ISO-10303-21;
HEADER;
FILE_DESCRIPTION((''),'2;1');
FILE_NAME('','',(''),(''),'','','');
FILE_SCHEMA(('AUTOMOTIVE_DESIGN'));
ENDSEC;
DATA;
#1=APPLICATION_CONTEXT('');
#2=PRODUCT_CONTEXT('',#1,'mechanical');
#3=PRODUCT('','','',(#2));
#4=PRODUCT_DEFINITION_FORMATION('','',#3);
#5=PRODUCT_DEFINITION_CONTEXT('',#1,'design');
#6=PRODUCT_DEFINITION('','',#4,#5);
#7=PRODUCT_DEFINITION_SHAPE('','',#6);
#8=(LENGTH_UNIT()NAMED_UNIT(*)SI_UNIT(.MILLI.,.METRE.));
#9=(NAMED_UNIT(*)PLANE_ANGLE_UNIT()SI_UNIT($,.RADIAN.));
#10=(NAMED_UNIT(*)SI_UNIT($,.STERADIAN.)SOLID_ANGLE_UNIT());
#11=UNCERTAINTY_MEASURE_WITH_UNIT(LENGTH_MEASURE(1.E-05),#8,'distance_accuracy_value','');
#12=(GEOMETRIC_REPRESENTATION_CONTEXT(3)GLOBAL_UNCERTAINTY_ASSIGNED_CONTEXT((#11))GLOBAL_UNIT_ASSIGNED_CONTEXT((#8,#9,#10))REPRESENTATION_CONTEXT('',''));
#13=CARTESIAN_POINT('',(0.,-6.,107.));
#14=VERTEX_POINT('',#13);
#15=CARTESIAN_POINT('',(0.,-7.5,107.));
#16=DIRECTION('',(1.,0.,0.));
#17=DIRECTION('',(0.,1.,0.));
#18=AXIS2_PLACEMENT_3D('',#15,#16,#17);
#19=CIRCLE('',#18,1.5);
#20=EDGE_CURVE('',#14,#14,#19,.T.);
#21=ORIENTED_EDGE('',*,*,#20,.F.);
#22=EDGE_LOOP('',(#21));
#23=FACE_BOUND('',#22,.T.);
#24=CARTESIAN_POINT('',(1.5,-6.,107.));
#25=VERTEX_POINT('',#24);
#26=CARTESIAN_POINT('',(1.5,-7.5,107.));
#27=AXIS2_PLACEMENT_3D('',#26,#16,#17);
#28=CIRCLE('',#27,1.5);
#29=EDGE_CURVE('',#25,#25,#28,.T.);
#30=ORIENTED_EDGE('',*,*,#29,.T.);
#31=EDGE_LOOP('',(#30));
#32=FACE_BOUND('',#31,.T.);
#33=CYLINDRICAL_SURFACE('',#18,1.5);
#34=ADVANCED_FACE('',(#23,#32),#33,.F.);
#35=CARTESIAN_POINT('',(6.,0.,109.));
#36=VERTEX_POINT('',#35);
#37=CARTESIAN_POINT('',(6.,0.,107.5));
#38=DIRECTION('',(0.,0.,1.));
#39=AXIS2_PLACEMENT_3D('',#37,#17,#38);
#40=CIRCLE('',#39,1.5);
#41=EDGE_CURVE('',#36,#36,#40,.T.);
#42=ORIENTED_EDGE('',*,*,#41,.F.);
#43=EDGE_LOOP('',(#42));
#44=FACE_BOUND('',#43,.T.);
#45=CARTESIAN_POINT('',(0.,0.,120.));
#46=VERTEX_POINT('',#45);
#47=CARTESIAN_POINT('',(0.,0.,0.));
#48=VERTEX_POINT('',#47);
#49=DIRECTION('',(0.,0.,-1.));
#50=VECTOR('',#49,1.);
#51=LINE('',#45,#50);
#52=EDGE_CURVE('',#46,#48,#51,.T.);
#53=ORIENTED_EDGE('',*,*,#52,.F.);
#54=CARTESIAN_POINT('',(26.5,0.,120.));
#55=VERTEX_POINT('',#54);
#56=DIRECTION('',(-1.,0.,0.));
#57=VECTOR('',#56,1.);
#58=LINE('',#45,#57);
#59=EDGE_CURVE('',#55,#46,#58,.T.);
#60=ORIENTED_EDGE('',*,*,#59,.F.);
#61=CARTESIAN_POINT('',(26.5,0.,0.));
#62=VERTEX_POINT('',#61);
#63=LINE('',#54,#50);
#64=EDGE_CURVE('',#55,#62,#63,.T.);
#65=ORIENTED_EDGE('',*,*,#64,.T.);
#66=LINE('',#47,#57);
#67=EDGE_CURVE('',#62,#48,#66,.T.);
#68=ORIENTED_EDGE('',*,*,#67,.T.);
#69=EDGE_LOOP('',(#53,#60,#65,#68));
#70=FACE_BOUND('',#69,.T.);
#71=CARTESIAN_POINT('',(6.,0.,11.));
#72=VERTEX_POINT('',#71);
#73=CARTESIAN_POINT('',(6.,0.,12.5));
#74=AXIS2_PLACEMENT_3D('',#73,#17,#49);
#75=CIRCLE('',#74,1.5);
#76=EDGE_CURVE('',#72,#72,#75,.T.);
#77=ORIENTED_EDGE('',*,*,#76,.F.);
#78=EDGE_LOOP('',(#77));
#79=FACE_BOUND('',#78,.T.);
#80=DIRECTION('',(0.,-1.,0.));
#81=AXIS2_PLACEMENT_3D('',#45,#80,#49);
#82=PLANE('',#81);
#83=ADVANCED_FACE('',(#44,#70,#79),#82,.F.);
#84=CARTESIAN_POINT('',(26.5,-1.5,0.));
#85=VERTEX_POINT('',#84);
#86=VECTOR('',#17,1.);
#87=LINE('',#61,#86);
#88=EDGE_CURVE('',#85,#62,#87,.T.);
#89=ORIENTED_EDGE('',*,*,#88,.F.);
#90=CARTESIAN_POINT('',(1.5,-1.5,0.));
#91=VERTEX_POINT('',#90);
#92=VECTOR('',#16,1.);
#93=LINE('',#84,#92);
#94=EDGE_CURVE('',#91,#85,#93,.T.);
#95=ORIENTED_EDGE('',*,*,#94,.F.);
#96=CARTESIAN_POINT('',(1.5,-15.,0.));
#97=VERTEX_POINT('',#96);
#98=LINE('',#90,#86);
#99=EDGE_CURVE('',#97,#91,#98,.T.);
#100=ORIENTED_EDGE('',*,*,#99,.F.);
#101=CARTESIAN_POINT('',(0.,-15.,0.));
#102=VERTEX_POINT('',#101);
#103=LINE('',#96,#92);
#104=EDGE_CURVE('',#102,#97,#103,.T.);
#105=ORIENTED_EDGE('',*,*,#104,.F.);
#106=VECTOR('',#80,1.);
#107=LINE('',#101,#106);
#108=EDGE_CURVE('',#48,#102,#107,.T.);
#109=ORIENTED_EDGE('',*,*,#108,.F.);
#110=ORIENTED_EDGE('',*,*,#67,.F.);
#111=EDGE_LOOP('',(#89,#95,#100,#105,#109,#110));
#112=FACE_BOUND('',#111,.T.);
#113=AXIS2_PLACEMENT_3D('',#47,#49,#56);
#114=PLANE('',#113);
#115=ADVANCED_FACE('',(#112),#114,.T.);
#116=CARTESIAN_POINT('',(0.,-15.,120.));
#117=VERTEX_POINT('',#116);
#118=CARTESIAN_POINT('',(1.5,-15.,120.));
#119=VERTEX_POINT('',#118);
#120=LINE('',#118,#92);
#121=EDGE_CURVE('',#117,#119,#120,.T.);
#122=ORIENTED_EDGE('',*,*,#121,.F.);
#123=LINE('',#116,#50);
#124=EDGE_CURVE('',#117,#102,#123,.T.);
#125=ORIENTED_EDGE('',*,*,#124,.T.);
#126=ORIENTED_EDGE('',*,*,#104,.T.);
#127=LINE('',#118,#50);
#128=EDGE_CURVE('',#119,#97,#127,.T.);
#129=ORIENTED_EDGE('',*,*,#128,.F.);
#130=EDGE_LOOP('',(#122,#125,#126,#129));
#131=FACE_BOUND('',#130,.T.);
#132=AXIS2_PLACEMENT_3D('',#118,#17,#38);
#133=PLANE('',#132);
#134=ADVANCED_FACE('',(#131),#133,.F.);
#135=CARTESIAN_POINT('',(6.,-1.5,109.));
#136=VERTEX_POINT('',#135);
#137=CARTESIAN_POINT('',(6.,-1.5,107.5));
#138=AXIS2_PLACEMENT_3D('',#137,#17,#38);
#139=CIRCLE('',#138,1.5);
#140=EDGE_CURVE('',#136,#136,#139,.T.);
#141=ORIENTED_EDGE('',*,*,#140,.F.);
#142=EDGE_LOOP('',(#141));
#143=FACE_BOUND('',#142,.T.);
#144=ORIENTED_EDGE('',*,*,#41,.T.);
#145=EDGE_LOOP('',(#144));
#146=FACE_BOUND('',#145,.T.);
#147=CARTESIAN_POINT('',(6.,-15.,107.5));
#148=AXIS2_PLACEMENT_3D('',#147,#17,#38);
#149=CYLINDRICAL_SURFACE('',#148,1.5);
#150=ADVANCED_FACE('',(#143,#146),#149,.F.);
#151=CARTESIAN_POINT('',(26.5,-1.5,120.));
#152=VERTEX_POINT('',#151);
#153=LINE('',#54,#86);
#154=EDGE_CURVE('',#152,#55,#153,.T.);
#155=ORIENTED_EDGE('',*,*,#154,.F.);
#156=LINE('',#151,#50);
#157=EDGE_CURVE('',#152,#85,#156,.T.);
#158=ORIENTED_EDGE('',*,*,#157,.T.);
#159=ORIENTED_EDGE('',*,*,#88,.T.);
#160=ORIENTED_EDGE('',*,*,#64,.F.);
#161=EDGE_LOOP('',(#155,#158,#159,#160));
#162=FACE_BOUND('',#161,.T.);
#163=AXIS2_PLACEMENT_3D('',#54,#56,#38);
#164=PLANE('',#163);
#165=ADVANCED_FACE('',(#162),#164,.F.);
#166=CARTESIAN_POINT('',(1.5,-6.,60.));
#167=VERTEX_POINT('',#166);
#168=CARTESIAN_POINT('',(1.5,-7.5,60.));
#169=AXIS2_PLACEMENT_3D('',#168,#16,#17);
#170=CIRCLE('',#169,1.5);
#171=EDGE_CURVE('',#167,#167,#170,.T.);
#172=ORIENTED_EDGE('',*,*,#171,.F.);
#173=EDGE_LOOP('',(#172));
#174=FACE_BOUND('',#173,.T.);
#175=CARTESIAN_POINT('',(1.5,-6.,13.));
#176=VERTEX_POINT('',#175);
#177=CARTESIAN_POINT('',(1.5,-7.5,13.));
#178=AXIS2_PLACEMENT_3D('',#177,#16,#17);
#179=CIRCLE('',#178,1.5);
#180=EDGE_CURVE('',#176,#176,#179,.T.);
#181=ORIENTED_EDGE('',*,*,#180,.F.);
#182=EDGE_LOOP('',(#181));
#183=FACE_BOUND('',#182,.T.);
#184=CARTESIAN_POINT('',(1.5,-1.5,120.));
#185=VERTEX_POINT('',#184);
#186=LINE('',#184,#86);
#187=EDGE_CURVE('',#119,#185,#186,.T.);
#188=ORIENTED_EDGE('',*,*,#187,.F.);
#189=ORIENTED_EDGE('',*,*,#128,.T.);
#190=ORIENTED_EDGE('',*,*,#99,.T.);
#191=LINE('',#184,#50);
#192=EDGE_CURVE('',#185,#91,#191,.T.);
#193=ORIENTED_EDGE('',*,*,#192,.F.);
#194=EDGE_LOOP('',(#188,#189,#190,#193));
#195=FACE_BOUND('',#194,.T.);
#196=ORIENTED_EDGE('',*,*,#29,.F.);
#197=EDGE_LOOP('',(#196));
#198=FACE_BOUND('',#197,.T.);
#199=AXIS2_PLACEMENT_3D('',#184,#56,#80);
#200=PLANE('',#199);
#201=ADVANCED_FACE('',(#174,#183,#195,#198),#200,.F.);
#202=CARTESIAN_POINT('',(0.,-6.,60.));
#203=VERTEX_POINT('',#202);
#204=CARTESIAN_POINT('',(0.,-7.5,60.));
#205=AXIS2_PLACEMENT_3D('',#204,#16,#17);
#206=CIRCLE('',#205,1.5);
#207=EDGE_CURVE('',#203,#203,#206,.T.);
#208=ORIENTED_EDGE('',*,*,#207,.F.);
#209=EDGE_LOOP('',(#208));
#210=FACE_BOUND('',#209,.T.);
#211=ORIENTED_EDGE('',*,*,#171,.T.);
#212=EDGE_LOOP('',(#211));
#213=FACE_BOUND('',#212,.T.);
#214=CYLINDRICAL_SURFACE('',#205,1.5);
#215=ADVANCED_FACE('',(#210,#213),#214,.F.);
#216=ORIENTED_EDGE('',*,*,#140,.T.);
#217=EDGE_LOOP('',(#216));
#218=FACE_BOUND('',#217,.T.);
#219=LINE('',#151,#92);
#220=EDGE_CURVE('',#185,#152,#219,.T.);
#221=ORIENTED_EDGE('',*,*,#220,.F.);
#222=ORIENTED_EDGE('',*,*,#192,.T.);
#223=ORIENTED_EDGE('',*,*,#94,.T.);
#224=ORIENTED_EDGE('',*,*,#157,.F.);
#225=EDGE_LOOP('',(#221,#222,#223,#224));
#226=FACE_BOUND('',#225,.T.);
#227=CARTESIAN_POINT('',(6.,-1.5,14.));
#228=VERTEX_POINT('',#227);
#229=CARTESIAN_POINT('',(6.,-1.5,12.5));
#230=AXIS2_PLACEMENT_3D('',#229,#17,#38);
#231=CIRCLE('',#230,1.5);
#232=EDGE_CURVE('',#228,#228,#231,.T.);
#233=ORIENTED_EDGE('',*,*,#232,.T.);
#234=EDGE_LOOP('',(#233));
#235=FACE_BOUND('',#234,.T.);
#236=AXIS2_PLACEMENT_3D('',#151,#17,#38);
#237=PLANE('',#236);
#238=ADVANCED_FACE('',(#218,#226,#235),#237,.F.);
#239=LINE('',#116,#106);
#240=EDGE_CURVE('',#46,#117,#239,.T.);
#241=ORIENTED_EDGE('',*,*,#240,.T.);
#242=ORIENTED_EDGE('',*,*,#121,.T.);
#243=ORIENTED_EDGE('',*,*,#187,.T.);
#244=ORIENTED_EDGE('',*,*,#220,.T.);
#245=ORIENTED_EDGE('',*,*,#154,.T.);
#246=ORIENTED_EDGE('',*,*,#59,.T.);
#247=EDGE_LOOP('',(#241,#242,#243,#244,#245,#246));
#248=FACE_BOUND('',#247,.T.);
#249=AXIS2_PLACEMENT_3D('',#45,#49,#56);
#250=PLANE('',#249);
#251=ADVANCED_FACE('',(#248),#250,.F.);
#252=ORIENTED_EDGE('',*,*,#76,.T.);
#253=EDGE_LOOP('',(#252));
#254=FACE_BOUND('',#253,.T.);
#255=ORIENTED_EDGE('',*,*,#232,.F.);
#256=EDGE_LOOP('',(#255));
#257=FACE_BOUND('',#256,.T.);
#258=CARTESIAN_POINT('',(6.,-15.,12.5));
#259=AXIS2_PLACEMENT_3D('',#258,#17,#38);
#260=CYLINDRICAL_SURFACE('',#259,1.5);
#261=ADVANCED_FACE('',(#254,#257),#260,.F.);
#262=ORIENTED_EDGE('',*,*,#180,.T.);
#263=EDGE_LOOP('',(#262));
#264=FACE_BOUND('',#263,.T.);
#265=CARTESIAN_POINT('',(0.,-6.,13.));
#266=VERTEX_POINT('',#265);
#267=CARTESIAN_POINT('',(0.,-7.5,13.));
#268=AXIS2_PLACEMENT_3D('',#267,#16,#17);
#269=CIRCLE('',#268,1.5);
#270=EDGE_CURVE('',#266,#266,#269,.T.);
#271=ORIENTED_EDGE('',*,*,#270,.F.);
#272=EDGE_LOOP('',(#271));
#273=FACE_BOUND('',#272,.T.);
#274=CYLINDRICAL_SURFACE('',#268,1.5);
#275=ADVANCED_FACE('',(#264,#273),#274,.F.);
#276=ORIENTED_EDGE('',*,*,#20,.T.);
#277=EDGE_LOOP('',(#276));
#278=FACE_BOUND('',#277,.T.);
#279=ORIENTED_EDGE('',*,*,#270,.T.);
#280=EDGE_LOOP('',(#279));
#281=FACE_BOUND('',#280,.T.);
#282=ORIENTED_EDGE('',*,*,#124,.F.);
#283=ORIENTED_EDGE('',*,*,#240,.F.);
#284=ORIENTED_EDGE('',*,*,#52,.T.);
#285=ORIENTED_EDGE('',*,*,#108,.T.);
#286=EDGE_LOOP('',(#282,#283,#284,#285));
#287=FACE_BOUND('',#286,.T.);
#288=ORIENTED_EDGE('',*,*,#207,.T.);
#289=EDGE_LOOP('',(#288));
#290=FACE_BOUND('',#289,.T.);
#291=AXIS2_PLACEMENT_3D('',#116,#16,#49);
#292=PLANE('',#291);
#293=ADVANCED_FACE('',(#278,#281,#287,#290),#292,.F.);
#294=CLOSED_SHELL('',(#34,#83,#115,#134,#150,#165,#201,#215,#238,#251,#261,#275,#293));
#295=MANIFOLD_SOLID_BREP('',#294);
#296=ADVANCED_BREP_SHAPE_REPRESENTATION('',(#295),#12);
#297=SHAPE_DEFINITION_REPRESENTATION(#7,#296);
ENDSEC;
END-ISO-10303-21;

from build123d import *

# Parameters (mm, degrees)
EXTRUDE_1_DEPTH     = 120
SKETCH_2_R          = 1.5
CUT_EXTRUDE_1_DEPTH = 124.490890352
SKETCH_3_R          = 1.5
CUT_EXTRUDE_2_DEPTH = 124.803271362


with BuildPart() as part:
    # 草图1 → 凸台-拉伸1 (new body)
    with BuildSketch(Plane.XY):
        Polygon((0, 0), (26.5, 0), (26.5, -1.5), (1.5, -1.5), (1.5, -15), (0, -15), align=None)
    extrude(amount=EXTRUDE_1_DEPTH)

    # 草图2 → 切除-拉伸1 (cut, through all)
    with BuildSketch(Plane(origin=(1.5, 0, 0), x_dir=(0, 0, -1), z_dir=(1, 0, 0))):
        with Locations(Location((-60, -7.5, 0), (0, 0, 90))):
            Circle(SKETCH_2_R)
        with Locations(Location((-107, -7.5, 0), (0, 0, 90))):
            Circle(SKETCH_2_R)
        with Locations(Location((-13, -7.5, 0), (0, 0, 90))):
            Circle(SKETCH_2_R)
    extrude(amount=-CUT_EXTRUDE_1_DEPTH, mode=Mode.SUBTRACT)

    # 草图3 → 切除-拉伸2 (cut, through all)
    with BuildSketch(Plane(origin=(0, 0, 0), x_dir=(1, 0, 0), z_dir=(0, 1, 0))):
        with Locations(Location((6, -107.5, 0), (0, 0, 270))):
            Circle(SKETCH_3_R)
        with Locations(Location((6, -12.5, 0), (0, 0, 270))):
            Circle(SKETCH_3_R)
    extrude(amount=-CUT_EXTRUDE_2_DEPTH, mode=Mode.SUBTRACT)


solid = part.part
